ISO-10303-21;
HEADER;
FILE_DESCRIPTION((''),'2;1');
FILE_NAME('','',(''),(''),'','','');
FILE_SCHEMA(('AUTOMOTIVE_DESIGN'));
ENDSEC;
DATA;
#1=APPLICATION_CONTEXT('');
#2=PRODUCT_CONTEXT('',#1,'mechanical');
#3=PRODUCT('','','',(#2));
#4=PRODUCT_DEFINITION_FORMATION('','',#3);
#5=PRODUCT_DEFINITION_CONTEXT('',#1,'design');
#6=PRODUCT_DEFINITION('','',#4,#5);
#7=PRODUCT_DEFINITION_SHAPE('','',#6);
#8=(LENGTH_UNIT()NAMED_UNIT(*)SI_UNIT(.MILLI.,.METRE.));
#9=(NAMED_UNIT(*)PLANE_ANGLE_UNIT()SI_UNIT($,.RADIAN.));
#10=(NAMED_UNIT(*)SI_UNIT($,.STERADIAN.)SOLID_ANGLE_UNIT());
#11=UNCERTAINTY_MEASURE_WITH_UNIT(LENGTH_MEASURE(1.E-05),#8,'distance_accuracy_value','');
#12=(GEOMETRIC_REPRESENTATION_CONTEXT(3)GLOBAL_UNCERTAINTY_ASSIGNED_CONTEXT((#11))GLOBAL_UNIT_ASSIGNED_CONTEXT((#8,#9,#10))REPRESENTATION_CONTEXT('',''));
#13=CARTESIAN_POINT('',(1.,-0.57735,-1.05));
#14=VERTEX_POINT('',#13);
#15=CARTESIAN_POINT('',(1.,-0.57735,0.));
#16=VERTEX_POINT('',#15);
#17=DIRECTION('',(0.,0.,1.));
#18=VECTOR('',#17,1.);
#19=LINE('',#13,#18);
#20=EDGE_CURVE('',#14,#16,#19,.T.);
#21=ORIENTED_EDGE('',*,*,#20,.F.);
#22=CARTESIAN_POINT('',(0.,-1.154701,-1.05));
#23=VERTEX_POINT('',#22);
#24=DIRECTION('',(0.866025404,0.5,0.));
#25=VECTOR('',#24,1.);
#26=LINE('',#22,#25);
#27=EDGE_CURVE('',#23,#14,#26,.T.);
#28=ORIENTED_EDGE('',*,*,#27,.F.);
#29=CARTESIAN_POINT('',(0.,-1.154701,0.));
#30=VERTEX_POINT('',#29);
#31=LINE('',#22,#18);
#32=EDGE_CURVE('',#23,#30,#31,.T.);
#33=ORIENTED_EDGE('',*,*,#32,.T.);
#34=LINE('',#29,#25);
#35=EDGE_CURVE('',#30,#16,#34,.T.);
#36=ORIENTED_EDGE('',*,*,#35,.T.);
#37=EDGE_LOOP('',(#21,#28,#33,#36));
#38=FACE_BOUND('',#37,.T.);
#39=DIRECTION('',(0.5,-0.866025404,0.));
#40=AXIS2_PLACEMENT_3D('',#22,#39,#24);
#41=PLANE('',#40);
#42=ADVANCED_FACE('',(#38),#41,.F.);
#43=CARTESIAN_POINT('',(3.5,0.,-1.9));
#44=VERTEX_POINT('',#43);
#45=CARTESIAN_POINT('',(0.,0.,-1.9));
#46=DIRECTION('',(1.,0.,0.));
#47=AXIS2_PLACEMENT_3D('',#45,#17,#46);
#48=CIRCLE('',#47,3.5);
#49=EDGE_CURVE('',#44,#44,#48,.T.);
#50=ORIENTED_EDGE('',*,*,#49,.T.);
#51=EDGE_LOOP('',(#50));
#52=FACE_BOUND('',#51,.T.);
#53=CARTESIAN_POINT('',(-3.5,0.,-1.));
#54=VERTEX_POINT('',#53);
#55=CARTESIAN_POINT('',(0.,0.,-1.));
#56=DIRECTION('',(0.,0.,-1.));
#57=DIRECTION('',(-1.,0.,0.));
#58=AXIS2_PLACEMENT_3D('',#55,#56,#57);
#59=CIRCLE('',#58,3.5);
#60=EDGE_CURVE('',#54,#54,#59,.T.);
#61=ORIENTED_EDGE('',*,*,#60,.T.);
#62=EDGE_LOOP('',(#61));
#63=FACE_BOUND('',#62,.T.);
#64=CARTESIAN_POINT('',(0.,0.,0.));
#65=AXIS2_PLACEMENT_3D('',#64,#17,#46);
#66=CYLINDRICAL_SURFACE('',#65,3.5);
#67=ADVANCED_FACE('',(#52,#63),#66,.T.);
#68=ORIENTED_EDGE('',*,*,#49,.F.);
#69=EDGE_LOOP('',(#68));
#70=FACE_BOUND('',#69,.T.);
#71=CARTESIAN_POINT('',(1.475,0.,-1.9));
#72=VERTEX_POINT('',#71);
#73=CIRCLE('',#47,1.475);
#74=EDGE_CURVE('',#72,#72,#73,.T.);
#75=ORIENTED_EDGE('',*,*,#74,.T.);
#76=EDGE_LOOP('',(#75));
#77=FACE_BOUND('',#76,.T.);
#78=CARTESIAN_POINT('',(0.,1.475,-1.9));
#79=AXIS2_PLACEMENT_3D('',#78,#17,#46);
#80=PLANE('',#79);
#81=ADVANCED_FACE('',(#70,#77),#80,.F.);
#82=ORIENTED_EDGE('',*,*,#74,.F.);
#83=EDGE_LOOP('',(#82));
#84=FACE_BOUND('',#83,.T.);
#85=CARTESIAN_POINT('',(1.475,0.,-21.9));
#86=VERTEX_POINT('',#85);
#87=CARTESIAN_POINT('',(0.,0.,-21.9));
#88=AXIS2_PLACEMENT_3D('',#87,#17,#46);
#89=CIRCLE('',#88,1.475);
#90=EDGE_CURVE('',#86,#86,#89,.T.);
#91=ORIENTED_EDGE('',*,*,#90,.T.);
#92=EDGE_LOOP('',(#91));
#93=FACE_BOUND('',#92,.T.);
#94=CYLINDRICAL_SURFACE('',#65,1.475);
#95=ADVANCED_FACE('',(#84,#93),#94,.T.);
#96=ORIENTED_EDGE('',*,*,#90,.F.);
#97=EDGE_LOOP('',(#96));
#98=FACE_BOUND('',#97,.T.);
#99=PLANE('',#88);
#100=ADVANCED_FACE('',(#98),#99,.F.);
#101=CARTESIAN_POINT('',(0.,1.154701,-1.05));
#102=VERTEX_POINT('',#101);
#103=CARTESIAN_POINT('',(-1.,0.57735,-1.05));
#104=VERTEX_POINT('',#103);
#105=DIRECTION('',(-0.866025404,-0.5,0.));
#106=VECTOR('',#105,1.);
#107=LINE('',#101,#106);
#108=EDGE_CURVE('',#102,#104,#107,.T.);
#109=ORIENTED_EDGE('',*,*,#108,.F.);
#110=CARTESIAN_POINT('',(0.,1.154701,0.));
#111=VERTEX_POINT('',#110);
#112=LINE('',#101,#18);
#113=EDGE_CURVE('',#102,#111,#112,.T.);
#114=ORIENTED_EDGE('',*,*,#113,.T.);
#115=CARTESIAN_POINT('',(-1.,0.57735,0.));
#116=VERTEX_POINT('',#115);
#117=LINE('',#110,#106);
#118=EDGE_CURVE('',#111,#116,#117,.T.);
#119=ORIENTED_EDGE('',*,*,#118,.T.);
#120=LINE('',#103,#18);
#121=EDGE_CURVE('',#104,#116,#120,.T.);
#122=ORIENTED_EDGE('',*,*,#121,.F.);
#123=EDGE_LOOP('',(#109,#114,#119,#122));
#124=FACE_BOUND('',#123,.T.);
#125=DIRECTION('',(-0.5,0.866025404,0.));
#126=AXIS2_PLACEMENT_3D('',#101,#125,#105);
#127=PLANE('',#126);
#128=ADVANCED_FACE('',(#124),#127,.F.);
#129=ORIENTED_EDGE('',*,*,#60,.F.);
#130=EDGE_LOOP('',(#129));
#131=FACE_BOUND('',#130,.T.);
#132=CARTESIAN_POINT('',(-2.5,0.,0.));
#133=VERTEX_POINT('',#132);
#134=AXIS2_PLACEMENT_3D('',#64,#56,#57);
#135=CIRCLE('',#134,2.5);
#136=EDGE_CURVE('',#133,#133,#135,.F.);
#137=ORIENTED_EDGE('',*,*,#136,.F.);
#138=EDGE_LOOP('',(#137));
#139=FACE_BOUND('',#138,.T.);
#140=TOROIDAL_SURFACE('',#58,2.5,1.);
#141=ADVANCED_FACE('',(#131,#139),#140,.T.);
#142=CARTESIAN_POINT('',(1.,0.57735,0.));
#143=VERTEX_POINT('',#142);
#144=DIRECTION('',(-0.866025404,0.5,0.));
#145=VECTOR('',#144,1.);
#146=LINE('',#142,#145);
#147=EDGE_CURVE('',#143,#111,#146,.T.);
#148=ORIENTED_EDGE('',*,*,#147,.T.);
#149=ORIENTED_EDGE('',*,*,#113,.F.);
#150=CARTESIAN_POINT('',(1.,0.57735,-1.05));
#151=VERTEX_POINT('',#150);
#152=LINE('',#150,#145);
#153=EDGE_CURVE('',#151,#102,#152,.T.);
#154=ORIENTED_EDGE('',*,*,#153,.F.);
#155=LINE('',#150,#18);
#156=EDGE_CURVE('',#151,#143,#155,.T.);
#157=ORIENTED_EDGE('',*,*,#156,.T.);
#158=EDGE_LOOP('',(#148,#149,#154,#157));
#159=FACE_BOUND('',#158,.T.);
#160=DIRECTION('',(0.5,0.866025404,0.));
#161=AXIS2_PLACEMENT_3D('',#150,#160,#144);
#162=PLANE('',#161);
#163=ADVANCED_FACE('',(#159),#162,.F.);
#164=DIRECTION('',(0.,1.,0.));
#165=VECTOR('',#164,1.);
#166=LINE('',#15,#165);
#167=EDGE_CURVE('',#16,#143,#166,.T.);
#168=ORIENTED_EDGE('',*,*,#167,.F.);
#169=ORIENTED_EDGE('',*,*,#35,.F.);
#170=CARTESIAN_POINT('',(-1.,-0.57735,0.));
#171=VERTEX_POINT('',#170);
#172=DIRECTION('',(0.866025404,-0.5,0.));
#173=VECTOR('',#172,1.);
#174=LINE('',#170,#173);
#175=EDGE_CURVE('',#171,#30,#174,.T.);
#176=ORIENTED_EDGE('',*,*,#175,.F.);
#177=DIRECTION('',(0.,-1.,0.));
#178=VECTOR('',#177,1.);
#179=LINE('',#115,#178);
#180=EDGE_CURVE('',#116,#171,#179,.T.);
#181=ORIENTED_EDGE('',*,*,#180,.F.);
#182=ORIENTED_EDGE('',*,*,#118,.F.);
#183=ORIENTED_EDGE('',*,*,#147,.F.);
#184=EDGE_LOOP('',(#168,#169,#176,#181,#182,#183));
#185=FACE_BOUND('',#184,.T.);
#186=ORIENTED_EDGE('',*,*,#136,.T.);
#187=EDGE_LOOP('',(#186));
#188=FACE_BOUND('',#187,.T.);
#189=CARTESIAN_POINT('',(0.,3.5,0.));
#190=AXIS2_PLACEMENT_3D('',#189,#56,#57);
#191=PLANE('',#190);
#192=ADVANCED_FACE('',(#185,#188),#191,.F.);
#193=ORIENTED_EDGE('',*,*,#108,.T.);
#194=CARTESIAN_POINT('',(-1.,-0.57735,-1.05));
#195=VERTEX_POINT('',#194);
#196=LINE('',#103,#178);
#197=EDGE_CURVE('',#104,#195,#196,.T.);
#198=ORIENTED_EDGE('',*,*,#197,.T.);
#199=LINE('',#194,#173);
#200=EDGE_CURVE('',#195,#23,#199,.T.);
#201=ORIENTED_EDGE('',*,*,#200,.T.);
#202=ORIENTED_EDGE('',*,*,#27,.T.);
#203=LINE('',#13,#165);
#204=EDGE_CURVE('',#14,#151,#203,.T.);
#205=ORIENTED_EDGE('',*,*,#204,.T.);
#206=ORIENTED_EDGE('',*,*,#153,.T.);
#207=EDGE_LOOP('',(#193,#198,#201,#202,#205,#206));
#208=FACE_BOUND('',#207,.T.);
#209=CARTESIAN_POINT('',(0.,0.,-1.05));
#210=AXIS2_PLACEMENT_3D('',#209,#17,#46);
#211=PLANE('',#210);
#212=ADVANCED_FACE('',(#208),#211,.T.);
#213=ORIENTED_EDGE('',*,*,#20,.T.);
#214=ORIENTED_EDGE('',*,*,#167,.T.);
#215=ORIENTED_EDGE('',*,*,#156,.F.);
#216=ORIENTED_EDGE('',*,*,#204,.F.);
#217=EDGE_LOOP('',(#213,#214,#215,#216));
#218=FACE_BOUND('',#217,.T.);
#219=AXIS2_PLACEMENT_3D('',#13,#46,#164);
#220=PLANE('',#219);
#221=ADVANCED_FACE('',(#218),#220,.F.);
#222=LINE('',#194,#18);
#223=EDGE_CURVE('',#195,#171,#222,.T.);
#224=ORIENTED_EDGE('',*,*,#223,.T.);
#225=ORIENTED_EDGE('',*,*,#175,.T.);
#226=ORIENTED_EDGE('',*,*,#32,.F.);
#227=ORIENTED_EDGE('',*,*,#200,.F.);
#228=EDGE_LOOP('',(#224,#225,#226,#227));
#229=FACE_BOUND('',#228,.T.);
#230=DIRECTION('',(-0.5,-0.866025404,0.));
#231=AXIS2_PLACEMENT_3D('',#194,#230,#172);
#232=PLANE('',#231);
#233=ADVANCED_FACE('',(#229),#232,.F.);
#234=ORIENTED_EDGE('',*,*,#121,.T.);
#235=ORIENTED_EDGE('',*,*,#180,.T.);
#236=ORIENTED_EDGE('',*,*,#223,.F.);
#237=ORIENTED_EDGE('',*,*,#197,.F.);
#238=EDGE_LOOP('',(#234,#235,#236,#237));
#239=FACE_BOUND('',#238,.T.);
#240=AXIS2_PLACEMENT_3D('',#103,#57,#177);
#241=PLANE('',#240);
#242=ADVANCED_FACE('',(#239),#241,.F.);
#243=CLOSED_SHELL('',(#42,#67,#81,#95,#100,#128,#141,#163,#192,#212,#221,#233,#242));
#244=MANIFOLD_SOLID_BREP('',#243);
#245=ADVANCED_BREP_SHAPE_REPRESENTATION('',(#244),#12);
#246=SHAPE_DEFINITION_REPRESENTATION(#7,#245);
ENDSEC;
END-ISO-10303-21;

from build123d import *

# Parameters (mm, degrees)
FILLET1_R          = 1
CUT_EXTRUDE1_DEPTH = 1.05


with BuildPart() as part:
    # Sketch1 → Revolve1 (revolve)
    with BuildSketch(Plane(origin=(0, 0, 0), x_dir=(0, 0, -1), z_dir=(1, 0, 0)), mode=Mode.PRIVATE) as revolve1_sk:
        Polygon((1.9, 1.475), (1.9, 3.5), (0, 3.5), (0, 0), (21.9, 0), (21.9, 1.475), align=None)
    revolve(revolve1_sk.sketch.rotate(Axis((0, 0, 0), (0, 0, -1)), 90), axis=Axis((0, 0, 0), (0, 0, -1)))

    # Fillet1
    fillet1_edges = [part.edges().sort_by_distance(p)[0] for p in [
        (-3.5, 0, 0),
    ]]
    fillet(fillet1_edges, radius=FILLET1_R)

    # Sketch2 → Cut-Extrude1 (cut)
    with BuildSketch(Plane.XY):
        Polygon((0, 1.154700538), (-1, 0.577350269), (-1, -0.577350269), (0, -1.154700538), (1, -0.577350269), (1, 0.577350269), align=None)
    extrude(amount=-CUT_EXTRUDE1_DEPTH, mode=Mode.SUBTRACT)


solid = part.part
